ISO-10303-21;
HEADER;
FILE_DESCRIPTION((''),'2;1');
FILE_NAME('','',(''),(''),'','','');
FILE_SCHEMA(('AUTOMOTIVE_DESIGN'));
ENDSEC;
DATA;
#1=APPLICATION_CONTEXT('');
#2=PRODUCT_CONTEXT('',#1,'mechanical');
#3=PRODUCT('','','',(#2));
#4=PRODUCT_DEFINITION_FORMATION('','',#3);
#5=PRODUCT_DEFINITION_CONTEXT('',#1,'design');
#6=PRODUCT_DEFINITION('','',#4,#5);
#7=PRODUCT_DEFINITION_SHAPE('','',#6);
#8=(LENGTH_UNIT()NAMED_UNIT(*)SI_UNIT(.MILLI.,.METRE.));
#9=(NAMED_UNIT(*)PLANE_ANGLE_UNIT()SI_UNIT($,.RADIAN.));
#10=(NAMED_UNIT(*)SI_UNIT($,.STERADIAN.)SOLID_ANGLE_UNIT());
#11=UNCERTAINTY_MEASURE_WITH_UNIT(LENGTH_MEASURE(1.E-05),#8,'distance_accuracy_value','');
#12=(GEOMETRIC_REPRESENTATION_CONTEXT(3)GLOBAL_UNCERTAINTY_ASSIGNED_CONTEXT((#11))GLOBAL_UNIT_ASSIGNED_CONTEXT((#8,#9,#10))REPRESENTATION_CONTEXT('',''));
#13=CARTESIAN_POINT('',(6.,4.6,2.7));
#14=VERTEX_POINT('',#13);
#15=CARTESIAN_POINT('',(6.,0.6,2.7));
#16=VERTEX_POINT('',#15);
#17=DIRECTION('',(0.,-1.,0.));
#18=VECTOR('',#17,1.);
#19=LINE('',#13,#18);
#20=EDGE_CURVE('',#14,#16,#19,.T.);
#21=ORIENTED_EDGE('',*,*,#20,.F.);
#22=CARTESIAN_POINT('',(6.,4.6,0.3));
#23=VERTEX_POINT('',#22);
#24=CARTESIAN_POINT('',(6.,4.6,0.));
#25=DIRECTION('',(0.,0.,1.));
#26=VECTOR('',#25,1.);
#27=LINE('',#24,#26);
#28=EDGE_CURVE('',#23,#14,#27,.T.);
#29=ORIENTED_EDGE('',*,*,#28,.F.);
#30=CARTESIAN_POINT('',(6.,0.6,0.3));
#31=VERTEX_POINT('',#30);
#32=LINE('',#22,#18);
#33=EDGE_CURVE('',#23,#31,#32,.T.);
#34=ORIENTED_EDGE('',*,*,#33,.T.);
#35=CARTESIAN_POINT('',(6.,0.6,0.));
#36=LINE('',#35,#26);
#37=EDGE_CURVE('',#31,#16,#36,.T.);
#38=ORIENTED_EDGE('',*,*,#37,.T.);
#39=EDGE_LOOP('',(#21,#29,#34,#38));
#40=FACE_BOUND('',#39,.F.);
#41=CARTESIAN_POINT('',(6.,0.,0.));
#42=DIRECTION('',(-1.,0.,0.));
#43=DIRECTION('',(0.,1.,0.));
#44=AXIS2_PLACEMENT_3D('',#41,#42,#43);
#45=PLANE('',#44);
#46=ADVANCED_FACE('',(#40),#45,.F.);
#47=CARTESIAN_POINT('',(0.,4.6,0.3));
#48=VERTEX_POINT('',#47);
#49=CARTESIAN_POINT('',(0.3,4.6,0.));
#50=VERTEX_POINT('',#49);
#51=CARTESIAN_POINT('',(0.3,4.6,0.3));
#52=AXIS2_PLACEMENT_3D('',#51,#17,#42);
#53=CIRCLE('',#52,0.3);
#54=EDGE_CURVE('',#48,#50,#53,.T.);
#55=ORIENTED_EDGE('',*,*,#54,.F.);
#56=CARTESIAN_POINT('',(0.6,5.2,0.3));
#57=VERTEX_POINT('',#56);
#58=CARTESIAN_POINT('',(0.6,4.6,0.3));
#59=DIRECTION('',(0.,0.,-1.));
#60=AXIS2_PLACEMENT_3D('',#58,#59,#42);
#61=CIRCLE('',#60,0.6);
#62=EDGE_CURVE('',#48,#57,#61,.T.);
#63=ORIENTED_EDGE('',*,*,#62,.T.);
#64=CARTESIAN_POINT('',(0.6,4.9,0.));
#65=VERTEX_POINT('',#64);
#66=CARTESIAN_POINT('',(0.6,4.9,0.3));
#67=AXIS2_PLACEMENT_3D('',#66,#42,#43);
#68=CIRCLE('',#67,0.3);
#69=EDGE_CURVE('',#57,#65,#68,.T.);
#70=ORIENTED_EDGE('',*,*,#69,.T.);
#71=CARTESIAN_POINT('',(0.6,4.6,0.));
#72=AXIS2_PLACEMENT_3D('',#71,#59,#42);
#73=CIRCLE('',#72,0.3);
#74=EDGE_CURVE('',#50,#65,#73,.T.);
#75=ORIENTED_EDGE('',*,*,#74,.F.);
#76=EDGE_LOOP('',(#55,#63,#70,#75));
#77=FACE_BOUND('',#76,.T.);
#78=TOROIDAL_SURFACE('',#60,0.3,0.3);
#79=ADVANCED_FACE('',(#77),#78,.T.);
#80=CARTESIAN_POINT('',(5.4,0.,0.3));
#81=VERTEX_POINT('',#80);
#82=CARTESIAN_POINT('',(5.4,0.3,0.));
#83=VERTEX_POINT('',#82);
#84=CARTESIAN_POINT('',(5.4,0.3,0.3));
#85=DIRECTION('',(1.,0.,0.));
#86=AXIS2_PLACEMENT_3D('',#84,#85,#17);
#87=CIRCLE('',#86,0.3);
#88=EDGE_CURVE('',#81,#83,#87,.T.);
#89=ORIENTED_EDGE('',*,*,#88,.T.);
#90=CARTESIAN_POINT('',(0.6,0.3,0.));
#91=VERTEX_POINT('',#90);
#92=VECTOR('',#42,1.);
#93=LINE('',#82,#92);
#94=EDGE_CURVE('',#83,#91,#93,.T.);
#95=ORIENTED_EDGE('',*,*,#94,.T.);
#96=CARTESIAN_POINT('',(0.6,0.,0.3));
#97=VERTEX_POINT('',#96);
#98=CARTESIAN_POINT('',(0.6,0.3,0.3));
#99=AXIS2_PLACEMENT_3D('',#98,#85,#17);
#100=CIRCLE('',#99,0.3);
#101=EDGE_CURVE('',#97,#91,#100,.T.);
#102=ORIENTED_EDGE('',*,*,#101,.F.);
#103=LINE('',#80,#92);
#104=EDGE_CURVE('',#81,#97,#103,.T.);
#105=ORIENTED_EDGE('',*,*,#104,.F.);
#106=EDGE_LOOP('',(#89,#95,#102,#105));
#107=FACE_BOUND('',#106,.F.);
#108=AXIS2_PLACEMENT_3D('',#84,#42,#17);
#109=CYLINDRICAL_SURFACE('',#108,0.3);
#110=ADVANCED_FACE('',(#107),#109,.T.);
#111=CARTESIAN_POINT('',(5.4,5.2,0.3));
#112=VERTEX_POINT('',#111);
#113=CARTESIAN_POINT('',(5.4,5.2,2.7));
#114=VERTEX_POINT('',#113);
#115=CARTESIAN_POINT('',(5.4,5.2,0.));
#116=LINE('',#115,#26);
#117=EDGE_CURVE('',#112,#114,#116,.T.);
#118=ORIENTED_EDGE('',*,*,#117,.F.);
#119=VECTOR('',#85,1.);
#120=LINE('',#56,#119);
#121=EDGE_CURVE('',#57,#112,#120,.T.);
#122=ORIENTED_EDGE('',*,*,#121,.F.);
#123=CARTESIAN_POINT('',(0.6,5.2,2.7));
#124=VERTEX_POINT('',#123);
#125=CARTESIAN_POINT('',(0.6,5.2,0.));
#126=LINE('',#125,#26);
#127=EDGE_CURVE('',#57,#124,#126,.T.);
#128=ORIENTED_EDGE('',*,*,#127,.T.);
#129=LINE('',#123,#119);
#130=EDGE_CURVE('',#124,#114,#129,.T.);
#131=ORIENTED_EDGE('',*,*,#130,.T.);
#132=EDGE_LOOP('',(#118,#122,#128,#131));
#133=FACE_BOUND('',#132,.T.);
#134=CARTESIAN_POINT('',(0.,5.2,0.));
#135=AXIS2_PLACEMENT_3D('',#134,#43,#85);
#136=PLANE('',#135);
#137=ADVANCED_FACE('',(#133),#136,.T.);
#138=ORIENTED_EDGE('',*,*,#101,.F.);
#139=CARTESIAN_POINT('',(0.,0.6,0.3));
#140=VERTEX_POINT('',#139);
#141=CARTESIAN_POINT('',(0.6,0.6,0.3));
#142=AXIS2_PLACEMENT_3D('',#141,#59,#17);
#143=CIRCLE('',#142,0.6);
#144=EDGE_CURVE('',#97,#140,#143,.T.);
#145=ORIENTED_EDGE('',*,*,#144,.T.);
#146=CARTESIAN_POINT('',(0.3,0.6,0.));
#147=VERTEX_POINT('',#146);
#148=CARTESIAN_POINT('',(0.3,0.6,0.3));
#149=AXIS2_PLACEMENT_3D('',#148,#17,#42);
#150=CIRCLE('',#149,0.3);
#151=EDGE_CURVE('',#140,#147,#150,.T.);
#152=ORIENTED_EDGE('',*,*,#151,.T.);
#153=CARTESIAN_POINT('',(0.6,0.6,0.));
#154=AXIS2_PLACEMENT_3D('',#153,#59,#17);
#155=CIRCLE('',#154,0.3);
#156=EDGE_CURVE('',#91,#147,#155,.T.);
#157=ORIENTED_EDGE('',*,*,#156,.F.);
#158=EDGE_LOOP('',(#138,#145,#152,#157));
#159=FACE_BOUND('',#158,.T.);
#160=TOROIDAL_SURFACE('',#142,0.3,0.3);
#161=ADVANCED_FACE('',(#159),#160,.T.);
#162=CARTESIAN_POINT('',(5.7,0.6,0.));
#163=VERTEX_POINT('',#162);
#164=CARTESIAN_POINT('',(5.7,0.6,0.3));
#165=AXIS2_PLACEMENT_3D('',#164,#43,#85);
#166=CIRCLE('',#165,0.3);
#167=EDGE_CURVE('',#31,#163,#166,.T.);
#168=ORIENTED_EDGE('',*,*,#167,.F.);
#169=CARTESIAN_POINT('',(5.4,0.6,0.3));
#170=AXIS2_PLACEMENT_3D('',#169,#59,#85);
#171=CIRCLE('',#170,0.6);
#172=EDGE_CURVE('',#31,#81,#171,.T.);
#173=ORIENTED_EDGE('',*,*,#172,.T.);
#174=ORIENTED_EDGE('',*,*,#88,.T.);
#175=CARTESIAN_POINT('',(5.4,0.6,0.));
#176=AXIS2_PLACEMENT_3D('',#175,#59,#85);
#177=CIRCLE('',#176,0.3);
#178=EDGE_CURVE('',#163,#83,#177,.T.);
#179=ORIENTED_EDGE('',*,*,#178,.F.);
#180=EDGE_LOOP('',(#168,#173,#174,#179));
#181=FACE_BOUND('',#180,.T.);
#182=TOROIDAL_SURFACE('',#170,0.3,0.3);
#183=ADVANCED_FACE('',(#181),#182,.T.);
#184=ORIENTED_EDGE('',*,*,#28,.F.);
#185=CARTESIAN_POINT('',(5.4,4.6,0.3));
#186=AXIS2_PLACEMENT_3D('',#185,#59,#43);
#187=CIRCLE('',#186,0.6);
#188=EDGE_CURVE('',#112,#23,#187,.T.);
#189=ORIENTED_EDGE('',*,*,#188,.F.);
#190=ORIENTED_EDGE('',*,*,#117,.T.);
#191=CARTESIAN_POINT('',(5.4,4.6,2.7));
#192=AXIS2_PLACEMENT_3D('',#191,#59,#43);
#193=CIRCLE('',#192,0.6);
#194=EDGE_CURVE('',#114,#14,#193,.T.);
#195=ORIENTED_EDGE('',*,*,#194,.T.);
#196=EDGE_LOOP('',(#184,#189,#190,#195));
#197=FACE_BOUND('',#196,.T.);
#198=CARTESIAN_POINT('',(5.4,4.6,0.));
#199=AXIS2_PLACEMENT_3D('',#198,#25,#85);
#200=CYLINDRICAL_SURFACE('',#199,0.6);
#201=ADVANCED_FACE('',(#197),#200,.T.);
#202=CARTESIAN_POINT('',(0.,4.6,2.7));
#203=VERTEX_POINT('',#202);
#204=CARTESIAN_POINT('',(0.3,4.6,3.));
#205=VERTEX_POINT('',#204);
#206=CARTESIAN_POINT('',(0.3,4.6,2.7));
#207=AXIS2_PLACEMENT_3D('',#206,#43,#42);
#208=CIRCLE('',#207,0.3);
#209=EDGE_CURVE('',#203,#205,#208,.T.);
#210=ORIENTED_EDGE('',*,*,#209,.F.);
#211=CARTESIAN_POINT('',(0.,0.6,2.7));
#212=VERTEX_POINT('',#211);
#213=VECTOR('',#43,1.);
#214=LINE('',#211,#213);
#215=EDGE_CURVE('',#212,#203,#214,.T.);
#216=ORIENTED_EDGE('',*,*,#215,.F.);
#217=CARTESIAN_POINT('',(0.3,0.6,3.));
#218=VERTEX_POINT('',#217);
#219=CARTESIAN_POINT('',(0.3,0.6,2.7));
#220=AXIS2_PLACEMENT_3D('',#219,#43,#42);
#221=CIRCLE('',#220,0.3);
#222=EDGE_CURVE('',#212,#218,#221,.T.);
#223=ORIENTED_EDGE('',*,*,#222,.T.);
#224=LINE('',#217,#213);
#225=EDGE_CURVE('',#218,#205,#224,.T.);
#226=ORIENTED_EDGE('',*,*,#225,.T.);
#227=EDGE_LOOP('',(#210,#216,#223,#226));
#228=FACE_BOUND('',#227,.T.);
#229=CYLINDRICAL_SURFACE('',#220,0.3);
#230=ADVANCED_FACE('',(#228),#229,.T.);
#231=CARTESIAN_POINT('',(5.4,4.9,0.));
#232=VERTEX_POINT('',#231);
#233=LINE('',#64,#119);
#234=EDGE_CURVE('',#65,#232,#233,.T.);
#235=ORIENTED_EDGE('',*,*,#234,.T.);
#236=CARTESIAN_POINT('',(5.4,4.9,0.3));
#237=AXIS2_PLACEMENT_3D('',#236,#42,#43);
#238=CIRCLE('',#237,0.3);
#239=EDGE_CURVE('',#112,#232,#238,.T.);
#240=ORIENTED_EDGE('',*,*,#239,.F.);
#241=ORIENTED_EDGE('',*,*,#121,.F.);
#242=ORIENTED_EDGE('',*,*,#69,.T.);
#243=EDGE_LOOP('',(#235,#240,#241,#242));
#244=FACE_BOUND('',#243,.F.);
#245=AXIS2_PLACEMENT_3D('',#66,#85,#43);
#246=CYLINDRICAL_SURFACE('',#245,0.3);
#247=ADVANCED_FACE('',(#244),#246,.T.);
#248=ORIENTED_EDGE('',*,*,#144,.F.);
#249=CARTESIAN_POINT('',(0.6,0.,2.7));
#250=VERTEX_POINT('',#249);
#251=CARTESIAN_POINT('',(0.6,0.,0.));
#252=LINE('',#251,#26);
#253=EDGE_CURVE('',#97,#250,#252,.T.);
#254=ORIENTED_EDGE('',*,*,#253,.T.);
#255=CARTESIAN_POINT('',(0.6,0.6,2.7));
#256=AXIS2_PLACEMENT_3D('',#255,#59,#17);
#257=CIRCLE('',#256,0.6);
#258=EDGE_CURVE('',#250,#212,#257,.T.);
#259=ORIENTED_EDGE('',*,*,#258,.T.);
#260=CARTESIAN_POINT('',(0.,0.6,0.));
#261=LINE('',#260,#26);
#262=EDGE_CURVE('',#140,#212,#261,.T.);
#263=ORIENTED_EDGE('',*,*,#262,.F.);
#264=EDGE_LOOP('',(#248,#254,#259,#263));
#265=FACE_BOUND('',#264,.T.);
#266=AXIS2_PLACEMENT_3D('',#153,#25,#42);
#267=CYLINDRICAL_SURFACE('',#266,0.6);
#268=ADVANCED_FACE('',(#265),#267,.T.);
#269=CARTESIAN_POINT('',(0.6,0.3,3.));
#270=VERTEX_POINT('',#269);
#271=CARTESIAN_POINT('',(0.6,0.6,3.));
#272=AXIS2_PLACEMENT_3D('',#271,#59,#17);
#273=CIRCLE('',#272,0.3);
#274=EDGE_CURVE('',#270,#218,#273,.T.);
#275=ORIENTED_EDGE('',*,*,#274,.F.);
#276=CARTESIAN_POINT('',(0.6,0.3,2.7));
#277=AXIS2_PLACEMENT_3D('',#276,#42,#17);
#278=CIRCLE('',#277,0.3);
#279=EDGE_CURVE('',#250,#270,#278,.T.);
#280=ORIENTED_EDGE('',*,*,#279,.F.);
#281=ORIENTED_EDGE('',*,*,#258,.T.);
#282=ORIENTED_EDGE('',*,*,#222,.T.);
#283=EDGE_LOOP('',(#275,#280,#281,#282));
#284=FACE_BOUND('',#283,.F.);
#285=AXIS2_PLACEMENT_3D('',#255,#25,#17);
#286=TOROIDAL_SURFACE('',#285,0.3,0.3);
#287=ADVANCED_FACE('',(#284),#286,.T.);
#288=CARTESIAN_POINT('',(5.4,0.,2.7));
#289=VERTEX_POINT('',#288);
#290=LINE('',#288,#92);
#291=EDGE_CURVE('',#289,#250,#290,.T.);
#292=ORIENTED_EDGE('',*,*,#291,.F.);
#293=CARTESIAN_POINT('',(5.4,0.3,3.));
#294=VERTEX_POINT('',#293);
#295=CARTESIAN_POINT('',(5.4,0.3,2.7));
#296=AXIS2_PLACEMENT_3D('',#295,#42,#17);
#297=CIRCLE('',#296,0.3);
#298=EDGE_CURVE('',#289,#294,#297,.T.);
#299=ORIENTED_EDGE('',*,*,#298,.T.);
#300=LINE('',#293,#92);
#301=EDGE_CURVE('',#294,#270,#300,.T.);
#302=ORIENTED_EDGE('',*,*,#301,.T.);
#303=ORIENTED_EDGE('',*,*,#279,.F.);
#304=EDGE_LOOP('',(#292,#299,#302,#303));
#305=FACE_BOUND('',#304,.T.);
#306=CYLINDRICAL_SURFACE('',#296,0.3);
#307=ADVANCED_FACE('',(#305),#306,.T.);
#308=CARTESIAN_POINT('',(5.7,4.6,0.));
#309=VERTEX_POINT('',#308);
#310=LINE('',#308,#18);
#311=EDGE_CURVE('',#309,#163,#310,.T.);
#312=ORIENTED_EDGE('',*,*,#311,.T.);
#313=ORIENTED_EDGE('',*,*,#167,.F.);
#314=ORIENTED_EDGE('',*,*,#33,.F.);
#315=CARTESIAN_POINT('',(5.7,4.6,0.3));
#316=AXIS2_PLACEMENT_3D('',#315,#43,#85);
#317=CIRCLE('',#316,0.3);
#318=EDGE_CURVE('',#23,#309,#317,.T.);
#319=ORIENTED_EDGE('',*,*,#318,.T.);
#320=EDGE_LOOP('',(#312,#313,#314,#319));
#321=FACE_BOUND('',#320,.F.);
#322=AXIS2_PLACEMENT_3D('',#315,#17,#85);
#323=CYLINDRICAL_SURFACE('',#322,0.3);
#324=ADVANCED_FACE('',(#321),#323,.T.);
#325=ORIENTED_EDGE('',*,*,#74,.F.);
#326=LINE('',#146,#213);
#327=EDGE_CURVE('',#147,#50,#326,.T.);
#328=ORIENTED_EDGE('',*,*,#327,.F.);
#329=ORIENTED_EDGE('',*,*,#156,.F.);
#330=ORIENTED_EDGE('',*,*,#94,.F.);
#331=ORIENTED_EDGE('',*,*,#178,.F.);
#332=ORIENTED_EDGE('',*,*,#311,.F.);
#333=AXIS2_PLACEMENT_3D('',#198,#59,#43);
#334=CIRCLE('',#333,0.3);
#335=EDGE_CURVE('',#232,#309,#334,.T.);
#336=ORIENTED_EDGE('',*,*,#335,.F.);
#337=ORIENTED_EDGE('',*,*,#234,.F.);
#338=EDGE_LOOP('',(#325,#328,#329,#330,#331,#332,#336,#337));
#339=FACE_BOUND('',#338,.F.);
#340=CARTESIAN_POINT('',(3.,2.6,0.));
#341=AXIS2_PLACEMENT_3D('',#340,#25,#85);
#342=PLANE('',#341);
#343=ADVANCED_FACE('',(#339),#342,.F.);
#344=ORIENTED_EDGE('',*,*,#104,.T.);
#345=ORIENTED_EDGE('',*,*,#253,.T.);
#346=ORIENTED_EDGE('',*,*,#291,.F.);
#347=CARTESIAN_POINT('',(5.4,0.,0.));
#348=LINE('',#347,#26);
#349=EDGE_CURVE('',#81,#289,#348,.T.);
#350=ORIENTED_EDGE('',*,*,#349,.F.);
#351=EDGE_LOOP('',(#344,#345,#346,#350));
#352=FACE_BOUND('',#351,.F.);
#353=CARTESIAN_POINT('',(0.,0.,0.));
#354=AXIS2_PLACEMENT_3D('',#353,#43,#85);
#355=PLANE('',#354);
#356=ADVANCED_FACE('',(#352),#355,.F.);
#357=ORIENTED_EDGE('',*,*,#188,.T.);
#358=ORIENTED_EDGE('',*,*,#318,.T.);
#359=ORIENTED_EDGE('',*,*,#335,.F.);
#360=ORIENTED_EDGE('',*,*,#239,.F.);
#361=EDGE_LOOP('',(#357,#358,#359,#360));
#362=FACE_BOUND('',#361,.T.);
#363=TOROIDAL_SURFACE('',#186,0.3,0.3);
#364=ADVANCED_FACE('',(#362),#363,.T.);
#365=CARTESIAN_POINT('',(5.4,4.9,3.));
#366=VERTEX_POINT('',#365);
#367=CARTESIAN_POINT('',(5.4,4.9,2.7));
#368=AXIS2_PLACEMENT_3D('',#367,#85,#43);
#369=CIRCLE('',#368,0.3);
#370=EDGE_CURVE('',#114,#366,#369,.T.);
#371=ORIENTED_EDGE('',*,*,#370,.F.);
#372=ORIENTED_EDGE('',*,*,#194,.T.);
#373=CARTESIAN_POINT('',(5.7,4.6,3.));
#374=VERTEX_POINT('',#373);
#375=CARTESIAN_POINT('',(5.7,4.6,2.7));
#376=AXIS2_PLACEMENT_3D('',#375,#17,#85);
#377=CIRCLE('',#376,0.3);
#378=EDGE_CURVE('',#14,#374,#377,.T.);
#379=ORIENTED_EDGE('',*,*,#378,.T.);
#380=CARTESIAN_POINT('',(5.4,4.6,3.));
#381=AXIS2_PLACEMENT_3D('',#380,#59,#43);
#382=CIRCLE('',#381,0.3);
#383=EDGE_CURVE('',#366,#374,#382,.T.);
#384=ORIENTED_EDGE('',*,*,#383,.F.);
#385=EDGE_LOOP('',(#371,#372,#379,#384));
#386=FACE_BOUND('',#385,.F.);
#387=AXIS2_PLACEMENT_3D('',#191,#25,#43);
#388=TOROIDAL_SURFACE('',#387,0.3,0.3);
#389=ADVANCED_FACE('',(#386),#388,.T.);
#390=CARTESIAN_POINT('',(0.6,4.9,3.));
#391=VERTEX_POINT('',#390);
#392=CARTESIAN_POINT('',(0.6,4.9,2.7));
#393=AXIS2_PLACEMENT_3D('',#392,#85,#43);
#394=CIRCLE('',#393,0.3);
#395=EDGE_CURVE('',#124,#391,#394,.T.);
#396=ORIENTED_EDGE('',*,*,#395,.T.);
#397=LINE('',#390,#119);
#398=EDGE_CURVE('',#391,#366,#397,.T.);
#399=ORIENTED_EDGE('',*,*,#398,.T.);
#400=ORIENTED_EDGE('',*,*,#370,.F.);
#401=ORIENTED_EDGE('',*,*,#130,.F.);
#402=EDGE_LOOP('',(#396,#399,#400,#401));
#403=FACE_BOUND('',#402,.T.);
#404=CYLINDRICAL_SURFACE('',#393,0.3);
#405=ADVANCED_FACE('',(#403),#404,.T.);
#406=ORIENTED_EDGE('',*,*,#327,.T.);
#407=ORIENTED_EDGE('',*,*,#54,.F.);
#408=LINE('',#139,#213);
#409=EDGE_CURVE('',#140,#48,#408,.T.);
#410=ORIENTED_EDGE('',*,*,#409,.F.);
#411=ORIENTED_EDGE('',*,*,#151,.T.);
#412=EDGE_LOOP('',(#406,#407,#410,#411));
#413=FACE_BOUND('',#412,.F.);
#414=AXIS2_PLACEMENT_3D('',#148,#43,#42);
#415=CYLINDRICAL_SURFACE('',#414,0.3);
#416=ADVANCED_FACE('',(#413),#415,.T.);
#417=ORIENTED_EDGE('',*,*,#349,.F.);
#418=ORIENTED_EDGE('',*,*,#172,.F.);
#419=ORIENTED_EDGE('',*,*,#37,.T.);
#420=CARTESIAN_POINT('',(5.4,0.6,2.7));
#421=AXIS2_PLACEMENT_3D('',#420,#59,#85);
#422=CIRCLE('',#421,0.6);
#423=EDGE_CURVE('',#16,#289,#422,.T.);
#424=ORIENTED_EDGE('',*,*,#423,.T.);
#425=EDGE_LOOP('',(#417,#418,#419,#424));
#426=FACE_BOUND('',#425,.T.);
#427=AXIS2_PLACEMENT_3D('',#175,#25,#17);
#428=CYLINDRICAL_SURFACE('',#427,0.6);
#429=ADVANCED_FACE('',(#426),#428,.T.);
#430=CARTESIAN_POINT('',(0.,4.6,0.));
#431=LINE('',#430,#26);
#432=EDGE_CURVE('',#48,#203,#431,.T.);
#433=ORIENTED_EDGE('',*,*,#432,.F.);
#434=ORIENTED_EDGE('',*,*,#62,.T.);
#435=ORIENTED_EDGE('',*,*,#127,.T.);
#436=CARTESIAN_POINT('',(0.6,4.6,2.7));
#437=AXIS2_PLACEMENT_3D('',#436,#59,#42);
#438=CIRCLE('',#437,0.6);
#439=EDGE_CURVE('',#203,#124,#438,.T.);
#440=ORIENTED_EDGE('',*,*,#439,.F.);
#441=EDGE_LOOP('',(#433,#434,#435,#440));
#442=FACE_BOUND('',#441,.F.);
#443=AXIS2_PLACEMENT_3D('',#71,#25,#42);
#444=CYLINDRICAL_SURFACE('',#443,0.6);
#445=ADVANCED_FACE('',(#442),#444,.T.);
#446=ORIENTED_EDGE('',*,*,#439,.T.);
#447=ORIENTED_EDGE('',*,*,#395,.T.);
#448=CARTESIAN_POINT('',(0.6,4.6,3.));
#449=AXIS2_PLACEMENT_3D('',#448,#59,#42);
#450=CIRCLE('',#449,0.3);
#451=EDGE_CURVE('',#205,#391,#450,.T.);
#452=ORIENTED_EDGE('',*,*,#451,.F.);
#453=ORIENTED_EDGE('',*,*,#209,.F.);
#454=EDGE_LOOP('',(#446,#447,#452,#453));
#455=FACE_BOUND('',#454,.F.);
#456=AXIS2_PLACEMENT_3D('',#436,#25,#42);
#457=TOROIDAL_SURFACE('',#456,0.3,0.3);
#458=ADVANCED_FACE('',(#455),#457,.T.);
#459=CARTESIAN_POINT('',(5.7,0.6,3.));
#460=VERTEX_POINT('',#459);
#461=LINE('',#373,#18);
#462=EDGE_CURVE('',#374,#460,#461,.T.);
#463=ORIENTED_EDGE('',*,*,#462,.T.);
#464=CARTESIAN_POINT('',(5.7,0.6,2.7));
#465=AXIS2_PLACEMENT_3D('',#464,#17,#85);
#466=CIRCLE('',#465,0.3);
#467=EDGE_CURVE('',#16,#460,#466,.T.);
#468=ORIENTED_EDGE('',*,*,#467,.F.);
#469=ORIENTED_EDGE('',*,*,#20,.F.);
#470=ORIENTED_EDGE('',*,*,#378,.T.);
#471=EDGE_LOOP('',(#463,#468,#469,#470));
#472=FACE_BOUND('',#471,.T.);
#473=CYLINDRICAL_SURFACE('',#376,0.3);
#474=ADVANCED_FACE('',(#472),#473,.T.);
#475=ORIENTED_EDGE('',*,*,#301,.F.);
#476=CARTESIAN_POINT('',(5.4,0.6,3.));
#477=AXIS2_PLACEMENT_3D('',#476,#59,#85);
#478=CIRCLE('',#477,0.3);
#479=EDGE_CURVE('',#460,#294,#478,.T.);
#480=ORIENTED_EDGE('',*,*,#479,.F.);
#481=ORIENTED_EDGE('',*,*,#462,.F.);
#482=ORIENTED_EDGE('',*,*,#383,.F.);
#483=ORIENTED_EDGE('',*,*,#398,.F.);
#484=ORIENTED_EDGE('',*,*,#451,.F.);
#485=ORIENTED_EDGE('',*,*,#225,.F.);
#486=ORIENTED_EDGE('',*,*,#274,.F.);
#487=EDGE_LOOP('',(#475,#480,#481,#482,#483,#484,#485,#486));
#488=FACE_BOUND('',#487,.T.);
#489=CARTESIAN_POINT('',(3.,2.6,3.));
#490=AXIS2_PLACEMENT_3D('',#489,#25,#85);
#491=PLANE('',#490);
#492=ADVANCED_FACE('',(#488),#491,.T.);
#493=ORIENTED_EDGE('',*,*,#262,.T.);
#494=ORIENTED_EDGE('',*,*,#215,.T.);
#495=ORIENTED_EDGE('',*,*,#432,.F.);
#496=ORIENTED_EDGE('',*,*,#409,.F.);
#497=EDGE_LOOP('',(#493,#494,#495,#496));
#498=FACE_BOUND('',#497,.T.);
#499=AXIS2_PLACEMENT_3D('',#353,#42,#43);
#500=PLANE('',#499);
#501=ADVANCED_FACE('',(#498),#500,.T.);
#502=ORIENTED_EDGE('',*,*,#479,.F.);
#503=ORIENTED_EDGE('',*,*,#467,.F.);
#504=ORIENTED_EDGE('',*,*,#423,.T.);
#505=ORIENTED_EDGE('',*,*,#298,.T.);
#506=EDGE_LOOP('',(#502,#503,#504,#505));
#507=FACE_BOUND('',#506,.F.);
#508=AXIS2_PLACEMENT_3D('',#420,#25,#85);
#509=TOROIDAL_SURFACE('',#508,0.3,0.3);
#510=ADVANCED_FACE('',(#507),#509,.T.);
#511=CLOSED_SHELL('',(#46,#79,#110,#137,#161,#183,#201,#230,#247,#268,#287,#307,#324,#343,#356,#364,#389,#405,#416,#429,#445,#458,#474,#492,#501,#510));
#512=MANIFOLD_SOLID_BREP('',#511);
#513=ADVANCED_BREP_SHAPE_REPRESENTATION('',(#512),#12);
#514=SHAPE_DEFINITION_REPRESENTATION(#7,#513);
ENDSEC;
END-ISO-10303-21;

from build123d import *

# Parameters (mm, degrees)
F0_W     = 6
F0_H     = 5.2
F1_DEPTH = 3
F2_R     = 0.6
F3_R     = 0.3


with BuildPart() as f1:
    # F0 (on Top) → F1 (new body)
    with BuildSketch(Plane.XY):
        with Locations((3, 2.6)):
            Rectangle(F0_W, F0_H)
    extrude(amount=F1_DEPTH)

    # F2
    f2_edges = [f1.edges().sort_by_distance(p)[0] for p in [
        (6, 5.2, 1.5),
        (6, 0, 1.5),
        (0, 0, 1.5),
        (0, 5.2, 1.5),
    ]]
    fillet(f2_edges, radius=F2_R)

    # F3
    f3_edges = [f1.edges().sort_by_distance(p)[0] for p in [
        (0, 2.6, 3),
        (0.175736, 5.024264, 3),
        (0.175736, 0.175736, 3),
        (3, 5.2, 3),
        (3, 0, 3),
        (5.824264, 5.024264, 3),
        (5.824264, 0.175736, 3),
        (6, 2.6, 3),
        (0, 2.6, 0),
        (0.175736, 5.024264, 0),
        (0.175736, 0.175736, 0),
        (3, 5.2, 0),
        (3, 0, 0),
        (5.824264, 5.024264, 0),
        (5.824264, 0.175736, 0),
        (6, 2.6, 0),
    ]]
    fillet(f3_edges, radius=F3_R)


solid = f1.part
